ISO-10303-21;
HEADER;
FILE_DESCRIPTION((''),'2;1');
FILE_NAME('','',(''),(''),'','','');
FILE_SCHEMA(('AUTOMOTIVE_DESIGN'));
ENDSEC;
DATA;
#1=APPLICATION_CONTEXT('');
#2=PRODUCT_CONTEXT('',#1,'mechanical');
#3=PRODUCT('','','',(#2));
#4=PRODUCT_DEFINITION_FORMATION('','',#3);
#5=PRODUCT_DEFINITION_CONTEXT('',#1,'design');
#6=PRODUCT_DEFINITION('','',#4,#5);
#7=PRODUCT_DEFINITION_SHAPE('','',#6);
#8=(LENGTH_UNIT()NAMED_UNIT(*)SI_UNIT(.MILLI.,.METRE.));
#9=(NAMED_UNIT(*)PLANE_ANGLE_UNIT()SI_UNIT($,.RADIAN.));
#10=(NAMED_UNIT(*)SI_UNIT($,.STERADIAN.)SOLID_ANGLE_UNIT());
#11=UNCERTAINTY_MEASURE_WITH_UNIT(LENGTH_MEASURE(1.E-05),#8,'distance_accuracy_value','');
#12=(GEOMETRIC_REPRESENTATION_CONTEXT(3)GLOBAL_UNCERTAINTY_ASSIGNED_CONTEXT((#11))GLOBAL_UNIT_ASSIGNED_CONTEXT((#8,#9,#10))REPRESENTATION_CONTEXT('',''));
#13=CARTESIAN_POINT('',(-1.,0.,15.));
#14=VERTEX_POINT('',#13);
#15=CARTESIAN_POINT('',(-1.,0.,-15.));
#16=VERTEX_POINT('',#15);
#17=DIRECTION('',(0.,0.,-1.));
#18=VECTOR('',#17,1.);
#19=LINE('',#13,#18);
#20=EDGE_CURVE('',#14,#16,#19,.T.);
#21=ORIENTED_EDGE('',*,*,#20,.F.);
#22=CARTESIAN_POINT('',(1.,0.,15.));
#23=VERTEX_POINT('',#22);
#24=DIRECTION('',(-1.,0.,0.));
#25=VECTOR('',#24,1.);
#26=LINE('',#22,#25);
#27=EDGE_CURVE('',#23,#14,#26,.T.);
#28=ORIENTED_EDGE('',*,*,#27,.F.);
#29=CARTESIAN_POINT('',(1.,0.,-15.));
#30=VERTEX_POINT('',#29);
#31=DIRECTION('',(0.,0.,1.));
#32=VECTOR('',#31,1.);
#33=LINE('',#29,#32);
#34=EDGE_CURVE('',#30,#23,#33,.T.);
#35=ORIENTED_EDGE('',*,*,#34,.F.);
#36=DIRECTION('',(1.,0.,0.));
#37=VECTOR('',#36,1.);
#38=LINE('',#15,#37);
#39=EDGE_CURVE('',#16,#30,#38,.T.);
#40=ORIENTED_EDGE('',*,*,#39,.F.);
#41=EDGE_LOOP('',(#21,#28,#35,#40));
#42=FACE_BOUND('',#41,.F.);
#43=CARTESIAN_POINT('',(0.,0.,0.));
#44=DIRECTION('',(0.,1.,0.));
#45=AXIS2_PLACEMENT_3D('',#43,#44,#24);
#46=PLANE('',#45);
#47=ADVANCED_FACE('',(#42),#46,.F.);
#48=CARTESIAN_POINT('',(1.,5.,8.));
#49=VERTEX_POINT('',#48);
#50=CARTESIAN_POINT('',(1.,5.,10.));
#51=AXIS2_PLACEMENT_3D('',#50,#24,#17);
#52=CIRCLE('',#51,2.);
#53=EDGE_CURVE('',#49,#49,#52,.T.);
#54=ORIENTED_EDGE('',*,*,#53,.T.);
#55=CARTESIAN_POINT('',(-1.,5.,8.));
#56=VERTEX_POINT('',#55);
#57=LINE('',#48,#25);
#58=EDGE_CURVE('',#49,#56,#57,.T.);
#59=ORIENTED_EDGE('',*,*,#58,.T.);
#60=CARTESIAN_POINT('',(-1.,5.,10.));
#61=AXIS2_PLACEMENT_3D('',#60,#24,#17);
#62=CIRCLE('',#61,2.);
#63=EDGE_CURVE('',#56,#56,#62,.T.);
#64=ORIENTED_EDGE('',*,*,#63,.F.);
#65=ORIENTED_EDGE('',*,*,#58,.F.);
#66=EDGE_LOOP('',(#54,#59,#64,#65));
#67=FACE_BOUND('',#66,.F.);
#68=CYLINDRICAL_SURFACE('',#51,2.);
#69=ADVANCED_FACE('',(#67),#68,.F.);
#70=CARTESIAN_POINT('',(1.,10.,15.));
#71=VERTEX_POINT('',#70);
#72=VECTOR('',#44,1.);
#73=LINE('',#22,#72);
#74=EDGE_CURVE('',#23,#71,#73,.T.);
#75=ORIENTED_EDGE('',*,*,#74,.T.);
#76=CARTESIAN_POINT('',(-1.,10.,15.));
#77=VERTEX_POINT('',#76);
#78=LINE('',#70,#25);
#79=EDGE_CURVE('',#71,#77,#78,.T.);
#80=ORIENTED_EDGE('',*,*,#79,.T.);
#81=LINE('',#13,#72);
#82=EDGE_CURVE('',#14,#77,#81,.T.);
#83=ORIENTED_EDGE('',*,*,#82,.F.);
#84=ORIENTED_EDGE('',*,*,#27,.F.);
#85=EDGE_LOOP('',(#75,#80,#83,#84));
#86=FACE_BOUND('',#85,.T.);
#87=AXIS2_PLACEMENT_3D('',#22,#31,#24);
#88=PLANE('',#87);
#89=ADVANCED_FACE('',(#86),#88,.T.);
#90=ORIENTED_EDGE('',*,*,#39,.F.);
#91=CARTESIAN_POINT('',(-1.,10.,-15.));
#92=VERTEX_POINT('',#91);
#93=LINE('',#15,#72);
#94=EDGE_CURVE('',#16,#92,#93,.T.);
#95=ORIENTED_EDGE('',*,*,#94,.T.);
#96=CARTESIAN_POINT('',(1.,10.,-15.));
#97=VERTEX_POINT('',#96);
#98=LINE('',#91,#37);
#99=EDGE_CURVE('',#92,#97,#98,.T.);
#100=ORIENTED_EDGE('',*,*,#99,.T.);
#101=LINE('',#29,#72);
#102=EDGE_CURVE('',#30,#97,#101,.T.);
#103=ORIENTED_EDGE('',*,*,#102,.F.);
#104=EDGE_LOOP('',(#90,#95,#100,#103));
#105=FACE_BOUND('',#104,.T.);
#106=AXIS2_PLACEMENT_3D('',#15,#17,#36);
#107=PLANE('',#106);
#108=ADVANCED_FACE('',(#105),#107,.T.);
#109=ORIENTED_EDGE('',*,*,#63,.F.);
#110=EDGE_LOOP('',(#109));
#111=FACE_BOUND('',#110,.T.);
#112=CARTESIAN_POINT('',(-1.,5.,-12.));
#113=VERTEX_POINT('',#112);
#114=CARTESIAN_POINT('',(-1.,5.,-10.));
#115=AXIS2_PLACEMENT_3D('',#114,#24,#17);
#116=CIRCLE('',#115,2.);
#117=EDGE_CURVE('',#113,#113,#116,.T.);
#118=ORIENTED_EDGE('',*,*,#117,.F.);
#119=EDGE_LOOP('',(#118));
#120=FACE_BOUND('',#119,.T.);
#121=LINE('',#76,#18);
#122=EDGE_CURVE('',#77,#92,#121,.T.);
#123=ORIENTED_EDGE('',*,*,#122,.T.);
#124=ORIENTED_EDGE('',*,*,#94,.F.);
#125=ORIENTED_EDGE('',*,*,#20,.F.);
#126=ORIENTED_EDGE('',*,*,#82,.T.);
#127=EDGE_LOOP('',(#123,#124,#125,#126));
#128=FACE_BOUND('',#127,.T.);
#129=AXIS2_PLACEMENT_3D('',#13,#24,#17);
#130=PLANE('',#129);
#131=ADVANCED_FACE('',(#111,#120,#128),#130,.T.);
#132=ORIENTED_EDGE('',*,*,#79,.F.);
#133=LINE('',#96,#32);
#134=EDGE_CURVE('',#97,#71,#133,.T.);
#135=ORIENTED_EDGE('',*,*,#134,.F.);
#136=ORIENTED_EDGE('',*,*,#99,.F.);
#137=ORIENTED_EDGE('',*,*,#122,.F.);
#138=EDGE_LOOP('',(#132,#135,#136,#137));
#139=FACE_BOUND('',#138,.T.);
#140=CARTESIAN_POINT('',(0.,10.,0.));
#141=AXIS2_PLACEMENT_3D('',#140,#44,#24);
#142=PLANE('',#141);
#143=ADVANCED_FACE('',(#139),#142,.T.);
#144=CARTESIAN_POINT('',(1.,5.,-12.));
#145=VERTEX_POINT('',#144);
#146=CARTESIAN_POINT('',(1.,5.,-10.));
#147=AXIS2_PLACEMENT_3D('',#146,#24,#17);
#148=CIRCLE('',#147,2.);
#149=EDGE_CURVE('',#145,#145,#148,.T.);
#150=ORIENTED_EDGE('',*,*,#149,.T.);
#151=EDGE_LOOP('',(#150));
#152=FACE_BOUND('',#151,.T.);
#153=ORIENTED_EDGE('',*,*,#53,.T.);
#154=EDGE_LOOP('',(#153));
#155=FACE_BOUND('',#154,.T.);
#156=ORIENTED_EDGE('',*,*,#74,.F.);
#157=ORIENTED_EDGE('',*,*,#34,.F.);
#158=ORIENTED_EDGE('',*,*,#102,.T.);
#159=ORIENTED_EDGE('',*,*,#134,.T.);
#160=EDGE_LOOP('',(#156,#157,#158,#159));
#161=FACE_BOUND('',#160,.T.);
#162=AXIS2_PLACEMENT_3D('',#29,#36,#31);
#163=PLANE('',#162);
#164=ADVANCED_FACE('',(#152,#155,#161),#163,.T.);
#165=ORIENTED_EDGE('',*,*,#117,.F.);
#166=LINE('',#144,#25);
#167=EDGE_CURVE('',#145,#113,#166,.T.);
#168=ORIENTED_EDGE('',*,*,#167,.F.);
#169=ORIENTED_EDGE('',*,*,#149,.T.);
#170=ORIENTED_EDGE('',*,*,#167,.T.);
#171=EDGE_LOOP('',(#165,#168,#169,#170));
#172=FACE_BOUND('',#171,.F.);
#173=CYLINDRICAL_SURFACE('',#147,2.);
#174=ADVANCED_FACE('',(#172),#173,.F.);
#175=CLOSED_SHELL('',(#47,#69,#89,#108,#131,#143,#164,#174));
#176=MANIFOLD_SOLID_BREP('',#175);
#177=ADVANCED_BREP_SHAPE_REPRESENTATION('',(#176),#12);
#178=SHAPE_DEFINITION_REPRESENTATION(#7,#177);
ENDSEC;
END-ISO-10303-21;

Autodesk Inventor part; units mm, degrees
ref_plane "YZ Plane" through (0, 0, 0) normal (1, 0, 0) x (0, 1, 0)
ref_plane "XZ Plane" through (0, 0, 0) normal (0, 1, 0) x (-1, 0, 0)
ref_plane "XY Plane" through (0, 0, 0) normal (0, 0, 1) x (1, 0, 0)
sketch "Sketch1" plane through (0, 0, 0) normal (0, 1, 0) x (-1, 0, 0)
  line L0 (-1, 15) -> (1, 15)
  line L1 (1, 15) -> (1, -15)
  line L2 (1, -15) -> (-1, -15)
  line L3 (-1, -15) -> (-1, 15)
  line L4 (-1, 15) -> (1, -15) construction
  line L5 (1, 15) -> (-1, -15) construction
  point P0 (0, 0)
  dimension "d0" = 2
  dimension "d1" = 30
extrude "Extrusion1" add sketch "Sketch1" along normal blind 10
sketch "Sketch3" plane through (1, 0, 15) normal (1, 0, 0) x (0, 0, -1)
  line L0 (0, 0) -> (0, 10) projected
  line L1 (0, 5) -> (5, 5)
  line L2 (30, 0) -> (30, 10) projected
  line L3 (30, 5) -> (25, 5)
  point P0 (15, 0)
  dimension "d13" = 5
  dimension "d14" = 5
hole "Hole2" at (1, 5, 10) at (1, 5, -10) direction (-1, 0, 0) diameter 4 depth 8 tip angle 118
properties part number "Pengunci sendok"
